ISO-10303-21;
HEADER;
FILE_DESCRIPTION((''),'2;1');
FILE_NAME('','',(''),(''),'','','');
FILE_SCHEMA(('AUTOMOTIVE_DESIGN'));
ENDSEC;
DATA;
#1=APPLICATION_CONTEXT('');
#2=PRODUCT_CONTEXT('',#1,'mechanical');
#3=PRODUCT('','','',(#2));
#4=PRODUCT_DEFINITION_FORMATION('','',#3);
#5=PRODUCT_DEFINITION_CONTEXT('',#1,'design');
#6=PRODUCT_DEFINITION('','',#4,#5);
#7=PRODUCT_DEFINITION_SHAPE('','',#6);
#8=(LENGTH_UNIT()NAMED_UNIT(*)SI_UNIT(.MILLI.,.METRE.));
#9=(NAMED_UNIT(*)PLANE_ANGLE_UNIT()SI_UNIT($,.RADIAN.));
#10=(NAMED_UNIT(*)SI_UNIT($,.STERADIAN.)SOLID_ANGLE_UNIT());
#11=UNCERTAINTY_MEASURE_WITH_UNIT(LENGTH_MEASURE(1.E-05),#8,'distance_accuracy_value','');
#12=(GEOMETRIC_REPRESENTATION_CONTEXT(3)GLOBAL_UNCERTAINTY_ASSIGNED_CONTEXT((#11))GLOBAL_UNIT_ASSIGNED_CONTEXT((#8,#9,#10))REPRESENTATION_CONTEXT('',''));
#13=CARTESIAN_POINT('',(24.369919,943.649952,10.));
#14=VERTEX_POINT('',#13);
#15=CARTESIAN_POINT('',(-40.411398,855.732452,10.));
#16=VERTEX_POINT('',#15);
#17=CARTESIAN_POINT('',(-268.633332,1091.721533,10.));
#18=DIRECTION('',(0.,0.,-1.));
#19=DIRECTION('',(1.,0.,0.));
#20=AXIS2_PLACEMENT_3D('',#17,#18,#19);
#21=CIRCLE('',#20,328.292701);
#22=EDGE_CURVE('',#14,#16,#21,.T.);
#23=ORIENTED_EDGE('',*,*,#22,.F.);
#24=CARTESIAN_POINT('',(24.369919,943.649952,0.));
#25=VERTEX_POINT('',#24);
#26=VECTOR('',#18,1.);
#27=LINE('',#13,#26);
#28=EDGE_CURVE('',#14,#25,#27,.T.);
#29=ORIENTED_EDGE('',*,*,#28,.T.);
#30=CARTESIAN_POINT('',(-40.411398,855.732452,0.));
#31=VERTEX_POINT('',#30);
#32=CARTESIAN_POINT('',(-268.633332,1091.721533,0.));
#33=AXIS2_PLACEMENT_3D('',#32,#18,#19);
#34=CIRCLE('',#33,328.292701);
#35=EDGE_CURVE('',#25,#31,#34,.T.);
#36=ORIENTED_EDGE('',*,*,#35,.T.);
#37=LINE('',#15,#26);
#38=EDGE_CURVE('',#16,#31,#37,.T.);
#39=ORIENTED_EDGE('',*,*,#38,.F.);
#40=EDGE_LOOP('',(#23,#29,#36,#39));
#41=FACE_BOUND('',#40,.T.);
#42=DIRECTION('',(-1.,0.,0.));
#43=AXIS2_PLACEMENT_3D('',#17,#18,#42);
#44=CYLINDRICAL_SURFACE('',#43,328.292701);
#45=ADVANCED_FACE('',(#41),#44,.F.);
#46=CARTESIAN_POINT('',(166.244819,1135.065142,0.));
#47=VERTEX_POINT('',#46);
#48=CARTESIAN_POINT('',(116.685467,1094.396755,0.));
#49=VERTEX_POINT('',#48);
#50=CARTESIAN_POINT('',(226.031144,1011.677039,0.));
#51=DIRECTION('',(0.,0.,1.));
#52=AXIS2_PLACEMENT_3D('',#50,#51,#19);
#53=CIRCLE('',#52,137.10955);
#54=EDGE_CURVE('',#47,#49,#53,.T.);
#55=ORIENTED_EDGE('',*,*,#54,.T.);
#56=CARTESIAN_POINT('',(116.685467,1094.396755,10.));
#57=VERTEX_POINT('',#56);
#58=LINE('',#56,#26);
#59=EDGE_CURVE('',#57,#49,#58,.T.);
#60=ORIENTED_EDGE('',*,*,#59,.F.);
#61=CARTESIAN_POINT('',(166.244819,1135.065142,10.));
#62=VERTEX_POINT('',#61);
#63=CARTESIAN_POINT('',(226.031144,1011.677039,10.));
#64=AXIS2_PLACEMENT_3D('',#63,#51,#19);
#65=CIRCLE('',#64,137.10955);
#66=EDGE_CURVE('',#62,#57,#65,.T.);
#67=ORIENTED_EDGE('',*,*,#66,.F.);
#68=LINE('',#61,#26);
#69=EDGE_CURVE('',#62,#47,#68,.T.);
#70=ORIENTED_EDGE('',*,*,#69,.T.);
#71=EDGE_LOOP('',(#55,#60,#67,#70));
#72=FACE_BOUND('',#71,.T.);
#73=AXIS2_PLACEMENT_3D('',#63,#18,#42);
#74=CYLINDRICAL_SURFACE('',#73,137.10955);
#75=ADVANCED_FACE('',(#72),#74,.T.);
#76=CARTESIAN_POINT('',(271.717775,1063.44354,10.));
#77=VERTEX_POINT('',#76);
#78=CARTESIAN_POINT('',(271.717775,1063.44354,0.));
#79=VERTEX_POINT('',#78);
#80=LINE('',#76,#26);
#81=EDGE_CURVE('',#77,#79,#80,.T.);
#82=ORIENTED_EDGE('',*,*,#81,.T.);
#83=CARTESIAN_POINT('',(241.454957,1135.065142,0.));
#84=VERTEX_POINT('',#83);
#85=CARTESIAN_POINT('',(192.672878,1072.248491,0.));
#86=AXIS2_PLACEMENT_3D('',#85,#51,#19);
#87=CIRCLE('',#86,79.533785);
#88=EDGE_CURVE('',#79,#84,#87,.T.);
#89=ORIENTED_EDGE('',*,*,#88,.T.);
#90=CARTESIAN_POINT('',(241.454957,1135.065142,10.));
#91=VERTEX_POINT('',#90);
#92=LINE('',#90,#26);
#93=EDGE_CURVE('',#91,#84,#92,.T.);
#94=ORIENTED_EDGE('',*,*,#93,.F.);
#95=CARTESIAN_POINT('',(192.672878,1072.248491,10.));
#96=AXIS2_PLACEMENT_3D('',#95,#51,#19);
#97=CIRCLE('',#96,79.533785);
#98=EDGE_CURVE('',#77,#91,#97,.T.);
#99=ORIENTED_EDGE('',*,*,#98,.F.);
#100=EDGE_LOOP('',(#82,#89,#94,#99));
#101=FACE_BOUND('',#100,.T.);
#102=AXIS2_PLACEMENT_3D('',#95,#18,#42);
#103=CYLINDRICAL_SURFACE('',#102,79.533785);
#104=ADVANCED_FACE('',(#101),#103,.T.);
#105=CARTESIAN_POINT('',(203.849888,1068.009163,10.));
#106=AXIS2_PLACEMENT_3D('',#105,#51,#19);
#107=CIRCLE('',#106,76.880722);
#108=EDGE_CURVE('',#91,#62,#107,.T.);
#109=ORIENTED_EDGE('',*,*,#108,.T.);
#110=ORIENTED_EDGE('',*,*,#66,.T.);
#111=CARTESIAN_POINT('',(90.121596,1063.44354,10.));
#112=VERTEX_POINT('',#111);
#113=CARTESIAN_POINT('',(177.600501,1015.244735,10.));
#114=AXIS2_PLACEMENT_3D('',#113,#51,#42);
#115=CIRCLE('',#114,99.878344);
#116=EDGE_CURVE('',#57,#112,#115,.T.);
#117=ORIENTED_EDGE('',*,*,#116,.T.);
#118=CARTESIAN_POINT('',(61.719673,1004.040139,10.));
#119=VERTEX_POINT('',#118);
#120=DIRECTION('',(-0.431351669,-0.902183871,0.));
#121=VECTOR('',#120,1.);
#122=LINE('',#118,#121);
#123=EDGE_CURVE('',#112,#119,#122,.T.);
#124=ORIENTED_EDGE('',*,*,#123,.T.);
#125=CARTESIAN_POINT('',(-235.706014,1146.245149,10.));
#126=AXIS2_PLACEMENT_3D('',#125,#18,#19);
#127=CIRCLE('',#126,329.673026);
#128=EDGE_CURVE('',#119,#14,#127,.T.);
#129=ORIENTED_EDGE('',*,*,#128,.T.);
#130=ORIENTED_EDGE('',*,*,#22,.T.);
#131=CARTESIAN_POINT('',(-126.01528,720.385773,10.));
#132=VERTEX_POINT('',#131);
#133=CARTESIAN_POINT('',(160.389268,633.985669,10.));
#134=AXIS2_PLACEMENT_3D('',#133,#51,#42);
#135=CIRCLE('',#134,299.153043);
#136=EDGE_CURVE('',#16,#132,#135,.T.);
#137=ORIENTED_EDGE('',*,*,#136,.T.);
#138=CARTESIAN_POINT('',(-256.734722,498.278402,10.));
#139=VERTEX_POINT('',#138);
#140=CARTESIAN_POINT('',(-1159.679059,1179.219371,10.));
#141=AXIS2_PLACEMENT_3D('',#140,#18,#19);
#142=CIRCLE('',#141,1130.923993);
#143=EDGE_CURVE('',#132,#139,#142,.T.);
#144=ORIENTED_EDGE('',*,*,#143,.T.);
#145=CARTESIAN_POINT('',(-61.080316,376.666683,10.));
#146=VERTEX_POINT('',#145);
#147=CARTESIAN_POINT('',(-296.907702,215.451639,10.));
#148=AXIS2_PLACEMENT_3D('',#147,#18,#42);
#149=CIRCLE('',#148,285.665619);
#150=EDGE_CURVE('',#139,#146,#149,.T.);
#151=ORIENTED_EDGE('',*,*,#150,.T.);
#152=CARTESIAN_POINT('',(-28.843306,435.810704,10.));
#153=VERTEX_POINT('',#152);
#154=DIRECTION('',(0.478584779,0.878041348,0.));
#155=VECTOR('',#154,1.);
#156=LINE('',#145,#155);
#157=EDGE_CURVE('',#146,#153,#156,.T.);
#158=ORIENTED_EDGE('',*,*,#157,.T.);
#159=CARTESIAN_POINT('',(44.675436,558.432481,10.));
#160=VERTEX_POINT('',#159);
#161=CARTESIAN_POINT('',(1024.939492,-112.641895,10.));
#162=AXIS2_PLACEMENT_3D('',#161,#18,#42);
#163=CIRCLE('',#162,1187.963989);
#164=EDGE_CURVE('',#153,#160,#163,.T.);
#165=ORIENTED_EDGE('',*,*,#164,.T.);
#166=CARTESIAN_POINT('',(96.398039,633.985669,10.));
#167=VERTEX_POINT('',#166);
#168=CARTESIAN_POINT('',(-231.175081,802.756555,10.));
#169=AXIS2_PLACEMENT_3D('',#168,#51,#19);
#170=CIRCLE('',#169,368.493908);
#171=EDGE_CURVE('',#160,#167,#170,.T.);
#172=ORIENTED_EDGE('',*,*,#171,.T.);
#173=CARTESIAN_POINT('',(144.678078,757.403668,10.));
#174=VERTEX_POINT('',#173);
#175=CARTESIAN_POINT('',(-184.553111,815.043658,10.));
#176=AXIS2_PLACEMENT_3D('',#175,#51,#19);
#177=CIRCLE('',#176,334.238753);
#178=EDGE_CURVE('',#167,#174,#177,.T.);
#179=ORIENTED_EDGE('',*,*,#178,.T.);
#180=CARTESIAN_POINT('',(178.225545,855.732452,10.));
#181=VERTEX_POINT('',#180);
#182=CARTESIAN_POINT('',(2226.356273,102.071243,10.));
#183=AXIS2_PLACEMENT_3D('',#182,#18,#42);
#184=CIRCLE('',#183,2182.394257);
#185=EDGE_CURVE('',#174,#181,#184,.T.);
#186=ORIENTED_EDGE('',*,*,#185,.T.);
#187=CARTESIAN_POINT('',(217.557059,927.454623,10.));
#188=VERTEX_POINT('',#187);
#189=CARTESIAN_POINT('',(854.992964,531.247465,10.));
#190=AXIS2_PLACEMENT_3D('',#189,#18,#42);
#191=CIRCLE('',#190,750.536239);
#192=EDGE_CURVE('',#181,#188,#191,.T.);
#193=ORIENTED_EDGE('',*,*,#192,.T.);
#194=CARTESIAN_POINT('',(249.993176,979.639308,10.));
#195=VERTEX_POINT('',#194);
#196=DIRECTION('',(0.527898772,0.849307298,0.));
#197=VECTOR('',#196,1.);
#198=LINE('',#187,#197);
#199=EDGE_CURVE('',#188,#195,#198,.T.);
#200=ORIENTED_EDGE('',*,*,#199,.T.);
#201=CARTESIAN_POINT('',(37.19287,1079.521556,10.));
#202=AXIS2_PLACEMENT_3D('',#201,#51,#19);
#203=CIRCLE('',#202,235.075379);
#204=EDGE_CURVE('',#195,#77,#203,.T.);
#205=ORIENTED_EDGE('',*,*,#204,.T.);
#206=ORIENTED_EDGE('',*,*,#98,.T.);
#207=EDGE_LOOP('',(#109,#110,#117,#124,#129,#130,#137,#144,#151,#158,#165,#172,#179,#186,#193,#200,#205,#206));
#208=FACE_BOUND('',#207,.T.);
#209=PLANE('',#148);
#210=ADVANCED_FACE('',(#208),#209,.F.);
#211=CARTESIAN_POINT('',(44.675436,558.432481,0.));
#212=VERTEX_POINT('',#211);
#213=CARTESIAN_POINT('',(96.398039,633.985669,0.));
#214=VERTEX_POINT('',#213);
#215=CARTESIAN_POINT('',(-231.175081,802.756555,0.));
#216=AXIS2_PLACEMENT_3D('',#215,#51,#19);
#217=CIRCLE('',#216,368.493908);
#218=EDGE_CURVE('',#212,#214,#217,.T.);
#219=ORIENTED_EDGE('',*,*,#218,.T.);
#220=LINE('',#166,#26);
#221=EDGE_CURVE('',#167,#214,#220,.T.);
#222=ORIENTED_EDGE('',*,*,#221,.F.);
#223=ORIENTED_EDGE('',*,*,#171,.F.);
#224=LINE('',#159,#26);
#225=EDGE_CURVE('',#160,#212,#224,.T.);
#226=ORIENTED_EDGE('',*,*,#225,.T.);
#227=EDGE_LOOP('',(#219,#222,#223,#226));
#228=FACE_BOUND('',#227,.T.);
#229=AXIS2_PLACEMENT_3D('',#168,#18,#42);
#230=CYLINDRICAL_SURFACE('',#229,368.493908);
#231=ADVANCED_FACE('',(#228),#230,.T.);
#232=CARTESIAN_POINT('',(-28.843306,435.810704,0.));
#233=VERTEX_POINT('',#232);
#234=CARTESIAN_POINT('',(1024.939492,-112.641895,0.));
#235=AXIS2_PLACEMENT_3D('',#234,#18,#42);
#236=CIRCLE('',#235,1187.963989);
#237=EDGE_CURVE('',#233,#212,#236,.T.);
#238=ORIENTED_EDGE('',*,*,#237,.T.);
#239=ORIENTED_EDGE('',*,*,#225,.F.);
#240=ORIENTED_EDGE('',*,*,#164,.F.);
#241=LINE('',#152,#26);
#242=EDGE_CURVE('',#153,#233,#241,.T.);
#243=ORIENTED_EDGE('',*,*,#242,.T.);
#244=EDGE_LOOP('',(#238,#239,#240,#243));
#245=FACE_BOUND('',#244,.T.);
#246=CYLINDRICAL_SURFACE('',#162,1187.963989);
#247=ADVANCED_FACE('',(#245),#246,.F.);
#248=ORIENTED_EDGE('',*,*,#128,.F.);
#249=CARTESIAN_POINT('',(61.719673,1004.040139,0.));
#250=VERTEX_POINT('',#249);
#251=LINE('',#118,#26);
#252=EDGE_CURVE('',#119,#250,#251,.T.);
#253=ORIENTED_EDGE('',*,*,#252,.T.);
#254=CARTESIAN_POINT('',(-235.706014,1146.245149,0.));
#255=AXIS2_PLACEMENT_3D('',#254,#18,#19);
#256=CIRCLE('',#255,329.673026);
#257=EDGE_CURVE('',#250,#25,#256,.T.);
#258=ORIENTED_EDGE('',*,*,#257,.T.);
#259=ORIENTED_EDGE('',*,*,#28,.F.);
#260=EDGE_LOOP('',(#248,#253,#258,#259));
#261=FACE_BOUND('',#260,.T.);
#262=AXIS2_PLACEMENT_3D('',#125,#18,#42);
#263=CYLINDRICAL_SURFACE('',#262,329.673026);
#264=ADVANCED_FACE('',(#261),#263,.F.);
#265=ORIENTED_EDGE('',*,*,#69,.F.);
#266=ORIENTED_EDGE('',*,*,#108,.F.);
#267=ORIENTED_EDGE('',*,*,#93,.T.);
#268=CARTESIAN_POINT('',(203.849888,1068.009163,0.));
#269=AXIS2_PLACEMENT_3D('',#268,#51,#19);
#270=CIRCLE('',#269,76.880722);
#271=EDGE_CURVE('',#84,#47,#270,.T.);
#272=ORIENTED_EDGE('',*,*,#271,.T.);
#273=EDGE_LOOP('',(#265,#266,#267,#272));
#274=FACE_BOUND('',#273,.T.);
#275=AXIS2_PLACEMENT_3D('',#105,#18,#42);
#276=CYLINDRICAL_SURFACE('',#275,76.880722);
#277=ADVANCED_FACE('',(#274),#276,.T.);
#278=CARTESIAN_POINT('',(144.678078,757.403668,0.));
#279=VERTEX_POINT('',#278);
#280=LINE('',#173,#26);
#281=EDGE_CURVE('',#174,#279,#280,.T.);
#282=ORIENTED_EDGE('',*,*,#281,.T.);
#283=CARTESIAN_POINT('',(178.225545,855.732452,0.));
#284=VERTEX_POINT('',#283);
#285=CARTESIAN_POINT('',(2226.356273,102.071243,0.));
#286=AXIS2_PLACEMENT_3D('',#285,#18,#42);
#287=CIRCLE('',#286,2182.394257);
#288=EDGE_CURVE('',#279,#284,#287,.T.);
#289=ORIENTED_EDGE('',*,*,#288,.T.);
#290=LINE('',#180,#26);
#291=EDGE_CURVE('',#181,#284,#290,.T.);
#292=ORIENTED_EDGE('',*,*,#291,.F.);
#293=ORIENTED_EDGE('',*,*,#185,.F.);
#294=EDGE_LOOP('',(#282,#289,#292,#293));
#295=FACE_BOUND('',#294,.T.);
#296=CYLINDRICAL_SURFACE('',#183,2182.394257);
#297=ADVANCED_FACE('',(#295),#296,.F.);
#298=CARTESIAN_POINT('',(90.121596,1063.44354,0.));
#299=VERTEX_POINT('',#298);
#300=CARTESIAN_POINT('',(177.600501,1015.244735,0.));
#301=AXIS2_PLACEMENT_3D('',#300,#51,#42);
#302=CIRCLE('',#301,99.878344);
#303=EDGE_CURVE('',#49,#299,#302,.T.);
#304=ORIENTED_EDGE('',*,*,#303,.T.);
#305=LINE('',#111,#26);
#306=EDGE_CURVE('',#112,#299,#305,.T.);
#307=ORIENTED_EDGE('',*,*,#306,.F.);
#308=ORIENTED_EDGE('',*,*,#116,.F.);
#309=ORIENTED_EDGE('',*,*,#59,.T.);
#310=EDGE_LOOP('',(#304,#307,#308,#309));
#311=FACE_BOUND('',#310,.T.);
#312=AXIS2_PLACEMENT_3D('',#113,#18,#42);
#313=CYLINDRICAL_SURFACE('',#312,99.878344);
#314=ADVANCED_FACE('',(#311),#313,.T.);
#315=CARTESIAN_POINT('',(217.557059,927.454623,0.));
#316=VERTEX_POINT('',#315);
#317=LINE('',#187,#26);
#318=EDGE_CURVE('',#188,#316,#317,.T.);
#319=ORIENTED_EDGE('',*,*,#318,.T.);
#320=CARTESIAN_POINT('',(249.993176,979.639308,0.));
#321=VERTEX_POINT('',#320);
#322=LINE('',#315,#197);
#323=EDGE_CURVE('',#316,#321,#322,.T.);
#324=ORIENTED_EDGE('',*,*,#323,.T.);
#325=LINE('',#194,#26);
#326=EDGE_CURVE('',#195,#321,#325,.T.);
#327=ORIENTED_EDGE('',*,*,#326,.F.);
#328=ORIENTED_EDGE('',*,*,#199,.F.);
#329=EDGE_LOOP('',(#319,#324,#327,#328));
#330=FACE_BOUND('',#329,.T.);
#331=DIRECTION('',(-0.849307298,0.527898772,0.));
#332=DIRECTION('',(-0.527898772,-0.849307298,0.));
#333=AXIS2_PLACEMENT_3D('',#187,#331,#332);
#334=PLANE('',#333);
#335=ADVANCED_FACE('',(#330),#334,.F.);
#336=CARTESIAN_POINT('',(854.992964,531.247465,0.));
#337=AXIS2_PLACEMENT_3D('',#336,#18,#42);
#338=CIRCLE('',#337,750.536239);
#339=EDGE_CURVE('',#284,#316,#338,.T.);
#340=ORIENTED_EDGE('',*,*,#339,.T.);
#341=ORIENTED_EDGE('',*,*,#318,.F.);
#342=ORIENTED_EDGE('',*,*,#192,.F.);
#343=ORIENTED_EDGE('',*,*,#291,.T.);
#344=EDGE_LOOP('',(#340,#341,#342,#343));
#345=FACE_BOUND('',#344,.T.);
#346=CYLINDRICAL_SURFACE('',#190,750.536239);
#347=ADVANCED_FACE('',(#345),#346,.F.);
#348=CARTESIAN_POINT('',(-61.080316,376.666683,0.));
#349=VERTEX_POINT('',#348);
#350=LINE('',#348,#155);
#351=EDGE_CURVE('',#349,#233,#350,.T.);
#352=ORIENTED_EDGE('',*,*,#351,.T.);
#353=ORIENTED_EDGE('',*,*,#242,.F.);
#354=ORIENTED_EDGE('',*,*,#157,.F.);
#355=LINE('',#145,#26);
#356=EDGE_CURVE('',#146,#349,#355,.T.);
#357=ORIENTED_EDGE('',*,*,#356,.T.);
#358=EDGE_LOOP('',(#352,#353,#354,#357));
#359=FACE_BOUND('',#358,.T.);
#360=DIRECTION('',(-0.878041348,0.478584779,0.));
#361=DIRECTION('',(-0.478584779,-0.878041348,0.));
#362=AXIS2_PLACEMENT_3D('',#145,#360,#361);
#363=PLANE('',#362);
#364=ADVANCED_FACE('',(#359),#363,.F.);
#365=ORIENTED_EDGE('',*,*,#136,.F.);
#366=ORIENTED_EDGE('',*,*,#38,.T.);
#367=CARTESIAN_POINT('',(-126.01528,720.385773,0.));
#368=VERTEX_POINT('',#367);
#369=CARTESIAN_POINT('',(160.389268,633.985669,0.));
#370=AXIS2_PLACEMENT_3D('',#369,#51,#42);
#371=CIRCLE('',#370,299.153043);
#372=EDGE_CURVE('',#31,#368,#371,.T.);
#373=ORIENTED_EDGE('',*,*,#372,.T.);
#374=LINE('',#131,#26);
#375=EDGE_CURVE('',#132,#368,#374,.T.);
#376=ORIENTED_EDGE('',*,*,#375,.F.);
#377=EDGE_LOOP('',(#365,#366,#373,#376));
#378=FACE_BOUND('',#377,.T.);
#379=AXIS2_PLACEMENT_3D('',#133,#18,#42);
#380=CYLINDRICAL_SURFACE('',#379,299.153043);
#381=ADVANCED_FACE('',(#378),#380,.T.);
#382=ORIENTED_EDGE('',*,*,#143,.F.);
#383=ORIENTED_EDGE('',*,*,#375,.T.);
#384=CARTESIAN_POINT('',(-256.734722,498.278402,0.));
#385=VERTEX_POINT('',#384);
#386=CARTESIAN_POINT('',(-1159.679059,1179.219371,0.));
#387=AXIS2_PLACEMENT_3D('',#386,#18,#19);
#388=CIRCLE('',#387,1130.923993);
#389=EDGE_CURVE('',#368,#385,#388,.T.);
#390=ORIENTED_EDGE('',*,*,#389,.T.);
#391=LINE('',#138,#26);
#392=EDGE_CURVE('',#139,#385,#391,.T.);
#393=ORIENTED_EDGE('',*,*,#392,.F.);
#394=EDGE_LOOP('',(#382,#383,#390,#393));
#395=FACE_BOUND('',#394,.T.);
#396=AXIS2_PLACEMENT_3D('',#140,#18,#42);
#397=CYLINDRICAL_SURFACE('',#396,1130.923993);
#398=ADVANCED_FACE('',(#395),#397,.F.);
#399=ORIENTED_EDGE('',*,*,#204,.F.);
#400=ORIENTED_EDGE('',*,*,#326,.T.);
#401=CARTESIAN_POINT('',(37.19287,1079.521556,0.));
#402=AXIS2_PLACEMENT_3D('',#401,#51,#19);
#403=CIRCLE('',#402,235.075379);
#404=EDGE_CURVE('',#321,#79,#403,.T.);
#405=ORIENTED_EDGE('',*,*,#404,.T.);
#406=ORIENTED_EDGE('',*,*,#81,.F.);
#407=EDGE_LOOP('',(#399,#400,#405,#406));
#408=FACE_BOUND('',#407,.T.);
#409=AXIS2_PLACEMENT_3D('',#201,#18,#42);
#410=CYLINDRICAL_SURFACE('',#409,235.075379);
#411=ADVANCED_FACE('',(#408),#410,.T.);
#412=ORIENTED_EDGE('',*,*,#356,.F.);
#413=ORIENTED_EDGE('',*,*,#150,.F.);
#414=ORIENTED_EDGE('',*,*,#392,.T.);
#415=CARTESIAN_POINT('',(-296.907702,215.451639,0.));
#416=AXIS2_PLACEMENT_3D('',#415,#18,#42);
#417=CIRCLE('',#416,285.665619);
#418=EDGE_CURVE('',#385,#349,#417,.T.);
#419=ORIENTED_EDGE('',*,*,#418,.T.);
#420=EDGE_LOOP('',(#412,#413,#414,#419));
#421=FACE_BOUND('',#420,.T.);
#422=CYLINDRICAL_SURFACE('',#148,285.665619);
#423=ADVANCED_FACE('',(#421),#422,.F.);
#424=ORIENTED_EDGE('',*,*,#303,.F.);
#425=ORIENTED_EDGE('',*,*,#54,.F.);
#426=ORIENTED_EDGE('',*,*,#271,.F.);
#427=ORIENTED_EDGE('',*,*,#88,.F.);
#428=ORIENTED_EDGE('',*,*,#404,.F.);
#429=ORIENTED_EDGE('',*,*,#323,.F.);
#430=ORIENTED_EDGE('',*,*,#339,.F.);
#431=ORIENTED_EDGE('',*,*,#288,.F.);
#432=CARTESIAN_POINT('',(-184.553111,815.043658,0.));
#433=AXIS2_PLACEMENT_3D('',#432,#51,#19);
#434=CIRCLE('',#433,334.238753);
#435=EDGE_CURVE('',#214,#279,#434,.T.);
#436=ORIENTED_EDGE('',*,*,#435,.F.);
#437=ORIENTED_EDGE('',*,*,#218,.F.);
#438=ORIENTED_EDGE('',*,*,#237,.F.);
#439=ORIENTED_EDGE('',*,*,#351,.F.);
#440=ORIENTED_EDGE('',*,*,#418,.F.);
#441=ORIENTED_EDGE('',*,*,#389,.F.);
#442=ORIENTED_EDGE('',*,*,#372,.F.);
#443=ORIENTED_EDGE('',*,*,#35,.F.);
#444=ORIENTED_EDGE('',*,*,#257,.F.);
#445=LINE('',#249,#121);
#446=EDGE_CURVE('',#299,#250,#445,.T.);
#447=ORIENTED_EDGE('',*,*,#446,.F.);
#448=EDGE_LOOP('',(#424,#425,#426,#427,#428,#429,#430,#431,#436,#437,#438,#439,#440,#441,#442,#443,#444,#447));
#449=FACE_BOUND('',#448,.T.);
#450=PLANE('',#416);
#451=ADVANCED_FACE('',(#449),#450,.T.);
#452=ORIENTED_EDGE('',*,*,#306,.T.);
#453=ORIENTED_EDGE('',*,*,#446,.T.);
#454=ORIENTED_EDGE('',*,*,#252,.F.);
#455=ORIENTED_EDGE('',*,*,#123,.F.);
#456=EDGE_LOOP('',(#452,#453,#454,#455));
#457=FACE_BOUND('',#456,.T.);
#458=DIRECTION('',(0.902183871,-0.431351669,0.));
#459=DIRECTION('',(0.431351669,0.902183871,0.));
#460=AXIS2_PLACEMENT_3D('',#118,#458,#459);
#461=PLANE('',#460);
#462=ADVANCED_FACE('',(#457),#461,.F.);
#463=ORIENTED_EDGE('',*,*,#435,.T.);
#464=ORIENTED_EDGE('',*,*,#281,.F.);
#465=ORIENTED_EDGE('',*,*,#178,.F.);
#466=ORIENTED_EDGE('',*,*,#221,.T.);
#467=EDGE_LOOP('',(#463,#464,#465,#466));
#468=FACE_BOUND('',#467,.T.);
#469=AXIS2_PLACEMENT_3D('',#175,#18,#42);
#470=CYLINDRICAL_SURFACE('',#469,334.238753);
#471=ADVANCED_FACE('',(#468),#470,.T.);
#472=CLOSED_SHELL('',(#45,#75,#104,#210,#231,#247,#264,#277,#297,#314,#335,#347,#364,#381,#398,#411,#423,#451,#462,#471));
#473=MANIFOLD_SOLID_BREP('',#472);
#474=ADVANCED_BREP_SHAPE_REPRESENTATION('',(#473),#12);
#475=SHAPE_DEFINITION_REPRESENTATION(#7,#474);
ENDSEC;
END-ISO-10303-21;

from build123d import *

# Parameters (mm, degrees)
BOSS_EXTRUDE3_DEPTH = 10


with BuildPart() as part:
    # Sketch1 → Boss-Extrude3 (new body)
    with BuildSketch(Plane.XY):
        with BuildLine():
            Line((61.719673081, 1004.040138522), (90.121595591, 1063.443540058))
            ThreePointArc((90.121595591, 1063.443540058), (101.806598129, 1080.290626418), (116.685466786, 1094.39675525))
            ThreePointArc((116.685466786, 1094.39675525), (139.054779467, 1117.668267819), (166.244818626, 1135.065141607))
            ThreePointArc((166.244818626, 1135.065141607), (203.849887916, 1144.889885631), (241.454957205, 1135.065141607))
            ThreePointArc((241.454957205, 1135.065141607), (265.935060661, 1103.204515558), (271.717774961, 1063.443540058))
            ThreePointArc((271.717774961, 1063.443540058), (264.746706267, 1020.532699182), (249.993176003, 979.639308419))
            Line((249.993176003, 979.639308419), (217.557058689, 927.454623329))
            ThreePointArc((217.557058689, 927.454623329), (196.913476553, 892.129764254), (178.225545137, 855.732451558))
            ThreePointArc((178.225545137, 855.732451558), (160.866603962, 806.767718632), (144.678077696, 757.403667679))
            ThreePointArc((144.678077696, 757.403667679), (126.716261258, 693.277809244), (96.398038564, 633.985668597))
            ThreePointArc((96.398038564, 633.985668597), (72.892497642, 594.596356166), (44.675436223, 558.432481475))
            ThreePointArc((44.675436223, 558.432481475), (6.069688965, 498.228600511), (-28.843305621, 435.810703931))
            Line((-28.843305621, 435.810703931), (-61.080316316, 376.666682759))
            ThreePointArc((-61.080316316, 376.666682759), (-146.105172251, 458.069534428), (-256.734722378, 498.278401925))
            ThreePointArc((-256.734722378, 498.278401925), (-185.027496066, 605.596315922), (-126.015280279, 720.385772571))
            ThreePointArc((-126.015280279, 720.385772571), (-92.438560876, 793.893867743), (-40.411397842, 855.732451558))
            ThreePointArc((-40.411397842, 855.732451558), (-4.339376244, 896.978618456), (24.369918596, 943.649952439))
            ThreePointArc((24.369918596, 943.649952439), (44.675436223, 972.836536947), (61.719673081, 1004.040138522))
        make_face()
    extrude(amount=BOSS_EXTRUDE3_DEPTH)


solid = part.part
